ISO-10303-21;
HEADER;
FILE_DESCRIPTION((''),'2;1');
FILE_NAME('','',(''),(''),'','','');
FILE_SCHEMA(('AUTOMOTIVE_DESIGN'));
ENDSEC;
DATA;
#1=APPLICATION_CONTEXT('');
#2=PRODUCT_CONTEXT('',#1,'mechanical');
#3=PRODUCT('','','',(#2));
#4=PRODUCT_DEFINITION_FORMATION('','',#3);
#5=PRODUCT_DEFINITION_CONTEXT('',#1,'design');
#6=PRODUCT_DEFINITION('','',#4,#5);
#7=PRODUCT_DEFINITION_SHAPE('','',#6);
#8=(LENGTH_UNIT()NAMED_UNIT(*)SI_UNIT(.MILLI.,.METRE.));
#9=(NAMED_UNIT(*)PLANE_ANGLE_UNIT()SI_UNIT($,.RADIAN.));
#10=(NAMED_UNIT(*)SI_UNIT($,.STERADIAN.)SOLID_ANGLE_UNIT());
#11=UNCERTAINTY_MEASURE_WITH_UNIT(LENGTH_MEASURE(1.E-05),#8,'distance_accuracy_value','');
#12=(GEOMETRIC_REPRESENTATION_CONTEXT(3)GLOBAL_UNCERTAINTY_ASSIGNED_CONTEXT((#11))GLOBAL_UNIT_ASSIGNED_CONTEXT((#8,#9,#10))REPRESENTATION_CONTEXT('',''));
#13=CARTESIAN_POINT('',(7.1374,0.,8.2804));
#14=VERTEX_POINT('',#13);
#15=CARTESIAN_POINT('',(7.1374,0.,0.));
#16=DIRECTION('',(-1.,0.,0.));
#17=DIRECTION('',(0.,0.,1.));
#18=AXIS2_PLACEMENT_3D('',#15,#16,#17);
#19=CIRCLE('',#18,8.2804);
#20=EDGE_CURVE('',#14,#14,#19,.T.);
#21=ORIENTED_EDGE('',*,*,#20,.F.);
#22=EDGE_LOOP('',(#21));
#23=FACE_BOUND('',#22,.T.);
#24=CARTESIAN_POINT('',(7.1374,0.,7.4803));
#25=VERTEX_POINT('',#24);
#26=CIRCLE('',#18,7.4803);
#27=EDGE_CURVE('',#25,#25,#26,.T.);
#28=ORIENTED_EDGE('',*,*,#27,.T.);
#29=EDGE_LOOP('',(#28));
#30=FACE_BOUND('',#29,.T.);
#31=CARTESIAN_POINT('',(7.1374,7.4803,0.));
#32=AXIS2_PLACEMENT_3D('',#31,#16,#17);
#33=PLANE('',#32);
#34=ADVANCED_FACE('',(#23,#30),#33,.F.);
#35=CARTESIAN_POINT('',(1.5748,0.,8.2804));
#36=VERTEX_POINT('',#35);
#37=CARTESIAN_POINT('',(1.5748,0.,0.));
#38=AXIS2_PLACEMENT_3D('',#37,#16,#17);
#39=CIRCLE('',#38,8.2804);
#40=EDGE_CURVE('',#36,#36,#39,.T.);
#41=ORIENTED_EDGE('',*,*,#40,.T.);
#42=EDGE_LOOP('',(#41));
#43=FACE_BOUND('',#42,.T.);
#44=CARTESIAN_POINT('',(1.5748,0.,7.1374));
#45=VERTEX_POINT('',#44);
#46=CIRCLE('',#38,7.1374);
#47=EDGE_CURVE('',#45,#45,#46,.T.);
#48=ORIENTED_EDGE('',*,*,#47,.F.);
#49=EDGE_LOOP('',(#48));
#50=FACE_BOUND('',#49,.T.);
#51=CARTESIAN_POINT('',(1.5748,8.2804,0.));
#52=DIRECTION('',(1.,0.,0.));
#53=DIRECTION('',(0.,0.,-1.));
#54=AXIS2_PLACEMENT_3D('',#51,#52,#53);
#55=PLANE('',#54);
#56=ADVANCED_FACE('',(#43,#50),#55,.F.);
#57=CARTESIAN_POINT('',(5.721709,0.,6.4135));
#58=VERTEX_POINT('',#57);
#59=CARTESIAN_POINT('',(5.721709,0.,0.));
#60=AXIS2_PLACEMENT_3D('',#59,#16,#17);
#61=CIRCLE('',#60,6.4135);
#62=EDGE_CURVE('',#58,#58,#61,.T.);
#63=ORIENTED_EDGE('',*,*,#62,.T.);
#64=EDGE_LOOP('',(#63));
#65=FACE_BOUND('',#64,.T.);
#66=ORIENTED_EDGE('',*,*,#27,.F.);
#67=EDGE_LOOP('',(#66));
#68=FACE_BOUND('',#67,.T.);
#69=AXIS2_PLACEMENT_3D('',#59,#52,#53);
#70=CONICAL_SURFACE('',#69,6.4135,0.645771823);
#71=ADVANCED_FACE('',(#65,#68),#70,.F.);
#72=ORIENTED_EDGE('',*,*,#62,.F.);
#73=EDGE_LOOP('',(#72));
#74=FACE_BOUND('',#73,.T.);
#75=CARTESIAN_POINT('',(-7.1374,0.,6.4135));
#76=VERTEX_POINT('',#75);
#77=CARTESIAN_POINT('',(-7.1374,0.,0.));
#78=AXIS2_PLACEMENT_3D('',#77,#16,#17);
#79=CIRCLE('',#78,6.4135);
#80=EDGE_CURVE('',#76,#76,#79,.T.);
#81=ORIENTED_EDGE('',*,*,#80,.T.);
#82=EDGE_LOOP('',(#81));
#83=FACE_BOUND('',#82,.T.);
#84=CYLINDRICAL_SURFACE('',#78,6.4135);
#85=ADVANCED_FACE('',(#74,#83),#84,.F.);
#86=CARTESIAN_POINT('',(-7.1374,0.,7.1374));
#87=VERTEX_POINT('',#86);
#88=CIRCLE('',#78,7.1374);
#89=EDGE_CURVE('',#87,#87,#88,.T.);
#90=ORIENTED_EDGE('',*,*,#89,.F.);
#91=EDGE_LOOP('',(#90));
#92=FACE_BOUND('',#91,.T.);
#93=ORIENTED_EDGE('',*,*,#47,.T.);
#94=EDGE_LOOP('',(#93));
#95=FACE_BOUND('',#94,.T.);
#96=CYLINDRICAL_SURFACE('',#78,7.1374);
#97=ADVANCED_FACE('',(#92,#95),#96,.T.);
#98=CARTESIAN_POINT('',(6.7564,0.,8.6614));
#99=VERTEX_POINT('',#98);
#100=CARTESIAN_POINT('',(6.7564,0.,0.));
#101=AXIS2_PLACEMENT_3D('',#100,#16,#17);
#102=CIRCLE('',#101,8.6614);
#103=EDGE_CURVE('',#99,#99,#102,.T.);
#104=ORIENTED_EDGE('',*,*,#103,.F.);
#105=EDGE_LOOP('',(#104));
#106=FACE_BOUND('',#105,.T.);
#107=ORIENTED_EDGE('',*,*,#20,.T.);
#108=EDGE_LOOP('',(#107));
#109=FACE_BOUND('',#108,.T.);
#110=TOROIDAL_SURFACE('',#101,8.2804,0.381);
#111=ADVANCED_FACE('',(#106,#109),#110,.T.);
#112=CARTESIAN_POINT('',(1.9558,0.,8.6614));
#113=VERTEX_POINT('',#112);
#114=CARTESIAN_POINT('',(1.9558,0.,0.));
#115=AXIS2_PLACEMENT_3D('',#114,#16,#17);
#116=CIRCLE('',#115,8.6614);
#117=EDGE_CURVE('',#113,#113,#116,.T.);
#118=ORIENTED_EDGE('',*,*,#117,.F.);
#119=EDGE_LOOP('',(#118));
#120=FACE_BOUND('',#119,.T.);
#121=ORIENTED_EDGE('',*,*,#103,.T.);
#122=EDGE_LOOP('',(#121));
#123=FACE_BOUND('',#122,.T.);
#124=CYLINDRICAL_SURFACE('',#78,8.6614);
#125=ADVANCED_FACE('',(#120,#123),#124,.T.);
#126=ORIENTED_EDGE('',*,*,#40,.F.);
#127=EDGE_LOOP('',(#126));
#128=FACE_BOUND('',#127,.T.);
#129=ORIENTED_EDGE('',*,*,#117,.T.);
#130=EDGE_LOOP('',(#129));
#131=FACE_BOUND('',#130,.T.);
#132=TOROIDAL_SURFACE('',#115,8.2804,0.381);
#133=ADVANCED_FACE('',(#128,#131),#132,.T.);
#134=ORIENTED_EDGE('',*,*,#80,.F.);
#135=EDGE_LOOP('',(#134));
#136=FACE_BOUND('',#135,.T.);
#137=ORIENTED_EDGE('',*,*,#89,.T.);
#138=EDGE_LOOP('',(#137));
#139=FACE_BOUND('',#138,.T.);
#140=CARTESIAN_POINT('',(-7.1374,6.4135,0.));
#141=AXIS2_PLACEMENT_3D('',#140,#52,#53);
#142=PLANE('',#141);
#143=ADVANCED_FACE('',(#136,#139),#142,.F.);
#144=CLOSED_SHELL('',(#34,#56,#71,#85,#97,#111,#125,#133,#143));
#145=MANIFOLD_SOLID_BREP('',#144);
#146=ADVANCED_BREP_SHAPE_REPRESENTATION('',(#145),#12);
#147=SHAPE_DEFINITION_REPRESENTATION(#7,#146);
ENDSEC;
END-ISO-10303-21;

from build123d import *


with BuildPart() as part:
    # Sketch1 → Revolve1 (revolve)
    with BuildSketch(Plane.XY):
        with BuildLine():
            Line((-7.1374, 6.4135), (5.721708584, 6.4135))
            Line((5.721708584, 6.4135), (7.1374, 7.4803))
            Line((7.1374, 7.4803), (7.1374, 8.2804))
            ThreePointArc((7.1374, 8.2804), (7.025807684, 8.549807684), (6.7564, 8.6614))
            Line((6.7564, 8.6614), (1.9558, 8.6614))
            ThreePointArc((1.9558, 8.6614), (1.686392316, 8.549807684), (1.5748, 8.2804))
            Line((1.5748, 8.2804), (1.5748, 7.1374))
            Line((1.5748, 7.1374), (-7.1374, 7.1374))
            Line((-7.1374, 7.1374), (-7.1374, 6.4135))
        make_face()
    revolve(axis=Axis((-7.1374, 0, 0), (1, 0, 0)))


solid = part.part
